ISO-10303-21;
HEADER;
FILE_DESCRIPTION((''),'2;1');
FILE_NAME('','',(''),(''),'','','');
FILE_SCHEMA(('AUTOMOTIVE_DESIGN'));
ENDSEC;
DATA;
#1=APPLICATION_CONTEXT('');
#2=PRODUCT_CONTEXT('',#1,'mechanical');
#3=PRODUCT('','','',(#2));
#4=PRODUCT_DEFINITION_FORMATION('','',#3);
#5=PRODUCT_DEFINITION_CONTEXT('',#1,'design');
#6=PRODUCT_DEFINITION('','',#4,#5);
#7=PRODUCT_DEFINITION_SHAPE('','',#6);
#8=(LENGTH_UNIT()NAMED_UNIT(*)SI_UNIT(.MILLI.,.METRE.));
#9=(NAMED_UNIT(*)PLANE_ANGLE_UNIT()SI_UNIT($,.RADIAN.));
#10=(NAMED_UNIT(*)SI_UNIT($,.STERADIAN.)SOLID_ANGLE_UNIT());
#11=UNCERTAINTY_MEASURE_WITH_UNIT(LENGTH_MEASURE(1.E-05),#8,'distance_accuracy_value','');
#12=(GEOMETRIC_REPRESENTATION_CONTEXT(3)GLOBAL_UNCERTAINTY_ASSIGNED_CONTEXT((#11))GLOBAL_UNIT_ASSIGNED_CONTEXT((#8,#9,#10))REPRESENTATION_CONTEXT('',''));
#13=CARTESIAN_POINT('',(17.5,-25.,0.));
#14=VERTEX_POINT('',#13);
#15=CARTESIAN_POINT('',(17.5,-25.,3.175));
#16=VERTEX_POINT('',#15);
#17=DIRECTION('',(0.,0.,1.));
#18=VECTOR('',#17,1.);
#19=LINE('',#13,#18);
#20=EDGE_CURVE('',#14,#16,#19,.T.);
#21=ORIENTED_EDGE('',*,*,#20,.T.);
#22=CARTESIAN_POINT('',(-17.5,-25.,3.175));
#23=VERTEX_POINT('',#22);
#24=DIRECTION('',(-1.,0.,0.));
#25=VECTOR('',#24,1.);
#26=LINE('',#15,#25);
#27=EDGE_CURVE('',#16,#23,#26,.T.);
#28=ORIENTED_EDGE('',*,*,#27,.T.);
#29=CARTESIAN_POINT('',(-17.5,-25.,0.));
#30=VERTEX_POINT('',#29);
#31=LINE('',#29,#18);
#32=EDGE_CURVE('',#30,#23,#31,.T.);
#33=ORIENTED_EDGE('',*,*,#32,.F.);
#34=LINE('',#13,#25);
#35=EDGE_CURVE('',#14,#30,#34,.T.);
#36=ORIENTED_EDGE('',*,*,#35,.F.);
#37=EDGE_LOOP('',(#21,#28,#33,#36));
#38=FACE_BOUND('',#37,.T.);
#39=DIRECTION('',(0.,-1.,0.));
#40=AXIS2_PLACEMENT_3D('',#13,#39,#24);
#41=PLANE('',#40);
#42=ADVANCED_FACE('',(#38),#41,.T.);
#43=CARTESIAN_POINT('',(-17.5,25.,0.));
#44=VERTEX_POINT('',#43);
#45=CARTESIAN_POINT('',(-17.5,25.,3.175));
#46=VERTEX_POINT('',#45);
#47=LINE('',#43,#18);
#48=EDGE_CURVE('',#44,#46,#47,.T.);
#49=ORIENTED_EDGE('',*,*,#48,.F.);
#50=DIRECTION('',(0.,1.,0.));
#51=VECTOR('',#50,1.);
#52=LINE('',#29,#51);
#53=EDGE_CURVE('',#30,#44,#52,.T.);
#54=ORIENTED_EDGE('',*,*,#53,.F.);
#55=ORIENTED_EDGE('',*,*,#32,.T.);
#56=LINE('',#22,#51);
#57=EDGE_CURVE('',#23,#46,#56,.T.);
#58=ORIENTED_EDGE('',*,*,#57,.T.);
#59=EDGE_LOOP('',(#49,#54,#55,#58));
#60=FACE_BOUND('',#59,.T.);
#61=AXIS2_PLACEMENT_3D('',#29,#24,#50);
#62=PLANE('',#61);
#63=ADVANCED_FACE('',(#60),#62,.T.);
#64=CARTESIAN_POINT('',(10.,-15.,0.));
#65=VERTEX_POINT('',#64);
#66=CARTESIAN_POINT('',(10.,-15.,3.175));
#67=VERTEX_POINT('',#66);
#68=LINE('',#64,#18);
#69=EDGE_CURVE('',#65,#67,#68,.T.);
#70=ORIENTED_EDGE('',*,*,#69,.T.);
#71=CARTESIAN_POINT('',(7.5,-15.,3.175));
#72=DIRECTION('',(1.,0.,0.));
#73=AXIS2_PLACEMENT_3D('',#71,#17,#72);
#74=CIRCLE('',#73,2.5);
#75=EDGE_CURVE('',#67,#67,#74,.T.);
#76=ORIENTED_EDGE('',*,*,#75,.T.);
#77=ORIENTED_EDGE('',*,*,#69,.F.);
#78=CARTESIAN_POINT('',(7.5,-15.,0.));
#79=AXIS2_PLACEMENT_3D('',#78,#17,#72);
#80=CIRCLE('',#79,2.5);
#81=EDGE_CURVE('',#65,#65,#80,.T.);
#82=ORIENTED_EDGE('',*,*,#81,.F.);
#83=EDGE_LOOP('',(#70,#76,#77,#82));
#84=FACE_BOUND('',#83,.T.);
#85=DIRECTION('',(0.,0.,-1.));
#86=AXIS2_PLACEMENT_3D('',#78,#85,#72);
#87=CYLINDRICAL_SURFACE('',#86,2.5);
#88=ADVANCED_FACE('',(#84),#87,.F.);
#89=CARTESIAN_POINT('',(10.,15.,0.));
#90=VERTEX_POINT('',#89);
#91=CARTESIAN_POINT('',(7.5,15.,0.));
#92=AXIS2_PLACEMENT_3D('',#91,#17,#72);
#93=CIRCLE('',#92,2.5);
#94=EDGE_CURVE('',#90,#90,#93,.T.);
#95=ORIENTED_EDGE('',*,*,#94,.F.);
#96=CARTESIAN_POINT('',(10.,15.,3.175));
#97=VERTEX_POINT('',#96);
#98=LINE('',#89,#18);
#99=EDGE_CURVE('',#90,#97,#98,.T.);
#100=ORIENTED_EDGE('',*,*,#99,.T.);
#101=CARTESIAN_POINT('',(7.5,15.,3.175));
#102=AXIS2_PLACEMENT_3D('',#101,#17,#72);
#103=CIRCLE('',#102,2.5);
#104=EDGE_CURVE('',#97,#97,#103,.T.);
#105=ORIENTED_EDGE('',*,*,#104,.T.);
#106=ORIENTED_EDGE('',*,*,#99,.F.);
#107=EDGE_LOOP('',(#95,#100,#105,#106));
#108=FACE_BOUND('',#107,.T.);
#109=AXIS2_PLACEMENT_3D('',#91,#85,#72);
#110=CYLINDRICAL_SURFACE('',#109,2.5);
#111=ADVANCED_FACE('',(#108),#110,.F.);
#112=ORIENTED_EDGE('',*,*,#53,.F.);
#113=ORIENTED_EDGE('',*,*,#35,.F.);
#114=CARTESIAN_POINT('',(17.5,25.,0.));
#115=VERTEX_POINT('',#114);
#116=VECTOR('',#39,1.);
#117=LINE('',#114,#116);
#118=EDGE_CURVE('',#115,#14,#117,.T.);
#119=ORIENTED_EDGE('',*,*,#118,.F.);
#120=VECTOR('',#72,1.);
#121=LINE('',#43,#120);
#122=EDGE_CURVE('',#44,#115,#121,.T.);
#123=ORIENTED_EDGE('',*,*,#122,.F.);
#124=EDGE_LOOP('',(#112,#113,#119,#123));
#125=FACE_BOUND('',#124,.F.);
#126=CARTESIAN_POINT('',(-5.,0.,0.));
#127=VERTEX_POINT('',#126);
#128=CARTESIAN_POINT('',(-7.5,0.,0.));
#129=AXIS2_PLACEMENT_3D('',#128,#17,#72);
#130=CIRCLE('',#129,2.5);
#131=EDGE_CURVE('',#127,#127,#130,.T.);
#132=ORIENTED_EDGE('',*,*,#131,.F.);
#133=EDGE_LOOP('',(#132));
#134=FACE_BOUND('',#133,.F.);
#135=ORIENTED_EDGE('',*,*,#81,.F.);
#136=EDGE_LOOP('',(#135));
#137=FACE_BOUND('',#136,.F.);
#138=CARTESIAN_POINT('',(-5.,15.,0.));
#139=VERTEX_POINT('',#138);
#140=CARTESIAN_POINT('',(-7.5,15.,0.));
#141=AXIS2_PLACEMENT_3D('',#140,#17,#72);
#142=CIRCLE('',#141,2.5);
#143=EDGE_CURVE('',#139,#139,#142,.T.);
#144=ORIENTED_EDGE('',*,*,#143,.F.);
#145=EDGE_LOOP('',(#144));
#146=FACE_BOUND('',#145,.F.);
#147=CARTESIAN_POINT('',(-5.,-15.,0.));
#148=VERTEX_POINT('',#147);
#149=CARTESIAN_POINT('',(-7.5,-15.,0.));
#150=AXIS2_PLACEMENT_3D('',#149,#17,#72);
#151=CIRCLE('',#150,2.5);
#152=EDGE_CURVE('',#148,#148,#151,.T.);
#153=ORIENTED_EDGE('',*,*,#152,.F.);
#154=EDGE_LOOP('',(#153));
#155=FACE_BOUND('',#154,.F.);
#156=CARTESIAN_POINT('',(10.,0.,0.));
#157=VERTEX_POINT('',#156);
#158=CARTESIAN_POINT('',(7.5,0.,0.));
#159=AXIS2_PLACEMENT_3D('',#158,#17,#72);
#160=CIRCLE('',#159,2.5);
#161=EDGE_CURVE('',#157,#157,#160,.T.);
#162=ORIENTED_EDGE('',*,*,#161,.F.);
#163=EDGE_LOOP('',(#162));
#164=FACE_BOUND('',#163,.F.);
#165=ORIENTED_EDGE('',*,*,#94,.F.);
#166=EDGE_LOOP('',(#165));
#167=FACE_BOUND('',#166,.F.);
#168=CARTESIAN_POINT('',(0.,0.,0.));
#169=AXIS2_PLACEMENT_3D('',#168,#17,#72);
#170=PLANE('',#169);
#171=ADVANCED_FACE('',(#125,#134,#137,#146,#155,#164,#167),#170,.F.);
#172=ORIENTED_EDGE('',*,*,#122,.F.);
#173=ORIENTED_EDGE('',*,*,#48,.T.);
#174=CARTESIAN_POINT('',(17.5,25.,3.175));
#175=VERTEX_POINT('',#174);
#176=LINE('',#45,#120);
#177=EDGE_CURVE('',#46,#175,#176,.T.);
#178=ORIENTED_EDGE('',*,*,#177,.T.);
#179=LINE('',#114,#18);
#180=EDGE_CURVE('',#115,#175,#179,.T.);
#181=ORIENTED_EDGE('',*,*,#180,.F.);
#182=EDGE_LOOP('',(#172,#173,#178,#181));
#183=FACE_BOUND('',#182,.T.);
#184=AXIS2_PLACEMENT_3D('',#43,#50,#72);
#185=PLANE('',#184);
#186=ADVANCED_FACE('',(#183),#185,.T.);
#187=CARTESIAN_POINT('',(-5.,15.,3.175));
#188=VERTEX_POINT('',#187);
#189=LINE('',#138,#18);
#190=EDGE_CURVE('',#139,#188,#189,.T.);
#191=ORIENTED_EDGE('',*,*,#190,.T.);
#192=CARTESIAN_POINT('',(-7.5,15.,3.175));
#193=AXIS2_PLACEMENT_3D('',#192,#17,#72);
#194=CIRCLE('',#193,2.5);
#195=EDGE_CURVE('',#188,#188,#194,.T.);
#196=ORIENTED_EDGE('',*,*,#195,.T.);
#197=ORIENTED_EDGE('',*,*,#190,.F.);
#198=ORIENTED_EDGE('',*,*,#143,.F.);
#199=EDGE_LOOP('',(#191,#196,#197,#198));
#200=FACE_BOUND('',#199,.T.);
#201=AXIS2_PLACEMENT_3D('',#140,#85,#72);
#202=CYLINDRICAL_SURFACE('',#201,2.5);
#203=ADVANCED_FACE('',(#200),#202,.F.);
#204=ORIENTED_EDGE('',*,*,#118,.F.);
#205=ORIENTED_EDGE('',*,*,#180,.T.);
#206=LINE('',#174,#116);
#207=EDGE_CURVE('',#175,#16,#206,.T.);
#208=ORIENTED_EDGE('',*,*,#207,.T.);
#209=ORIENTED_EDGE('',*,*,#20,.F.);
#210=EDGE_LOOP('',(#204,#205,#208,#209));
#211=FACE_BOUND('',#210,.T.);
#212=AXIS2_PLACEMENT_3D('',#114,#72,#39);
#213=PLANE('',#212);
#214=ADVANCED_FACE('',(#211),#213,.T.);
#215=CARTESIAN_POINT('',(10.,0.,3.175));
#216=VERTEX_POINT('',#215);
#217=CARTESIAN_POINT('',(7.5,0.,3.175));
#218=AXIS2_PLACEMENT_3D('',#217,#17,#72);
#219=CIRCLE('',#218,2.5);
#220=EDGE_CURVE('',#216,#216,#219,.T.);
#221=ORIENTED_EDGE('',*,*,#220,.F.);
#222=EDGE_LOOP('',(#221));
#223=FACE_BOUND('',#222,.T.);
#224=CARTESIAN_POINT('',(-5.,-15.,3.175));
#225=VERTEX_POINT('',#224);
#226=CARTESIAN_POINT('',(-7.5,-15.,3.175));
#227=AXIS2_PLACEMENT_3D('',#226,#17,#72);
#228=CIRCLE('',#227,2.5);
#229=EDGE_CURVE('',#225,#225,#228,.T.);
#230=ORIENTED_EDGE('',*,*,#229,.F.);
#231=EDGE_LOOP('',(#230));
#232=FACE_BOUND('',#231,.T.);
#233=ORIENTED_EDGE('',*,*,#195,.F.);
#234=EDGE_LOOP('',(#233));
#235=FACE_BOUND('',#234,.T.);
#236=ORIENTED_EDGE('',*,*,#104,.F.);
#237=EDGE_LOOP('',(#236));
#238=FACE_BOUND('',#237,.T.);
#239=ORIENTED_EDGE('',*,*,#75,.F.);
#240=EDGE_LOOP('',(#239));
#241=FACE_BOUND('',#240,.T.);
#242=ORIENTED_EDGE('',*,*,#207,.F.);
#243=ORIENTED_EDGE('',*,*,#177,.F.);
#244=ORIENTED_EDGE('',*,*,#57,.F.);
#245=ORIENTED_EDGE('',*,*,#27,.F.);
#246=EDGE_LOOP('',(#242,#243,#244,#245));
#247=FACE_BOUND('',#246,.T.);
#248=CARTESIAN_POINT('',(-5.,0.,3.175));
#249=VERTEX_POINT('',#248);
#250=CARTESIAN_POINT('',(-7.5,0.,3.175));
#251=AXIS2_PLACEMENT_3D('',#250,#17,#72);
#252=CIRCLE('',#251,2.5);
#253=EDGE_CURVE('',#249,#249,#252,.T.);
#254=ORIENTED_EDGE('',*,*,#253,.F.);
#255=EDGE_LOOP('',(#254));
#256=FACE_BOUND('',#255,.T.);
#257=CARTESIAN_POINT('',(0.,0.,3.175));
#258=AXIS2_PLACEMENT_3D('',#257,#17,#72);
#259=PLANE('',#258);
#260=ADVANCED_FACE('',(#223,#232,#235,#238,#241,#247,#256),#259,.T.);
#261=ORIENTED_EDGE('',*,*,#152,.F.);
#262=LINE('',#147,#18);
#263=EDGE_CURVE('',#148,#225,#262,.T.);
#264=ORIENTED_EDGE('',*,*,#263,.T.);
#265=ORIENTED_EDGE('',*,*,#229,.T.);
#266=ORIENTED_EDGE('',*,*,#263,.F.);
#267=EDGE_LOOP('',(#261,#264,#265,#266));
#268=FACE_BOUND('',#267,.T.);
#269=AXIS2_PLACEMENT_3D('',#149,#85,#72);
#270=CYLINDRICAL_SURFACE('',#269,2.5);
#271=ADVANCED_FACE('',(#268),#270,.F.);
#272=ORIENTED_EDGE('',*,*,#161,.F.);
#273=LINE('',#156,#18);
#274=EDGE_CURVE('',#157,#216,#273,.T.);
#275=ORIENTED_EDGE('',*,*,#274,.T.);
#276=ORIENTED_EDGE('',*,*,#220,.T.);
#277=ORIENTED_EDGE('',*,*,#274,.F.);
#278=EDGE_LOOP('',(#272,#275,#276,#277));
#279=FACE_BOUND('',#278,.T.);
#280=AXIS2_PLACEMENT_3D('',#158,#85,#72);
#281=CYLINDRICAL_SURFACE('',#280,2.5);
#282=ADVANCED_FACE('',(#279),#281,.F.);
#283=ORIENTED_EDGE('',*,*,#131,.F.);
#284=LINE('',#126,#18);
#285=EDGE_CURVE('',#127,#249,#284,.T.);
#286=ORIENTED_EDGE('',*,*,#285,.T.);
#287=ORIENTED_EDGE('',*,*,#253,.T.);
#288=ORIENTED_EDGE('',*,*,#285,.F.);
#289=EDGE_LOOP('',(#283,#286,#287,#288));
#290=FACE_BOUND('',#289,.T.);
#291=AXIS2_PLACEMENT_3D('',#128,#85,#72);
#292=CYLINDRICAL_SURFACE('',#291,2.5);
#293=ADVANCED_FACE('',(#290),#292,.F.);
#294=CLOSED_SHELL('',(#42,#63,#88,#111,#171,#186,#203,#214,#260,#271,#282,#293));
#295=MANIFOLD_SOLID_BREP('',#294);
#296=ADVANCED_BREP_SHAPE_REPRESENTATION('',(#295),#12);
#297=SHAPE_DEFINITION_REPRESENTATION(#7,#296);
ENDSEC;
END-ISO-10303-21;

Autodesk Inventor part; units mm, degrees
ref_plane "YZ Plane" through (0, 0, 0) normal (1, 0, 0) x (0, 1, 0)
ref_plane "XZ Plane" through (0, 0, 0) normal (0, 1, 0) x (-1, 0, 0)
ref_plane "XY Plane" through (0, 0, 0) normal (0, 0, 1) x (1, 0, 0)
sketch "Sketch1" plane through (0, 0, 0) normal (0, 0, 1) x (1, 0, 0)
  line L0 (17.5, -25) -> (-17.5, -25)
  line L1 (-17.5, -25) -> (-17.5, 25)
  line L2 (-17.5, 25) -> (17.5, 25)
  line L3 (17.5, 25) -> (17.5, -25)
  line L4 (17.5, -25) -> (-17.5, 25) construction
  line L5 (-17.5, -25) -> (17.5, 25) construction
  line L6 (7.5, -15) -> (-7.5, -15) construction
  line L7 (-7.5, -15) -> (-7.5, 15) construction
  line L8 (-7.5, 15) -> (7.5, 15) construction
  line L9 (7.5, 15) -> (7.5, -15) construction
  line L10 (7.5, -15) -> (-7.5, 15) construction
  line L11 (-7.5, -15) -> (7.5, 15) construction
  circle A0 centre (-7.5, 15) radius 2.5
  circle A1 centre (7.5, 15) radius 2.5
  circle A2 centre (-7.5, -15) radius 2.5
  circle A3 centre (7.5, -15) radius 2.5
  circle A4 centre (-7.5, 0) radius 2.5
  circle A5 centre (7.5, 0) radius 2.5
  point P0 (0, 0)
  dimension "d3" = 10
  dimension "d4" = 15
  dimension "d5" = 5
  dimension "d8" = 15
  dimension "d9" = 10
extrude "Extrusion1" add sketch "Sketch1" along normal blind 3.175
properties part number "soportes celda de carga"
